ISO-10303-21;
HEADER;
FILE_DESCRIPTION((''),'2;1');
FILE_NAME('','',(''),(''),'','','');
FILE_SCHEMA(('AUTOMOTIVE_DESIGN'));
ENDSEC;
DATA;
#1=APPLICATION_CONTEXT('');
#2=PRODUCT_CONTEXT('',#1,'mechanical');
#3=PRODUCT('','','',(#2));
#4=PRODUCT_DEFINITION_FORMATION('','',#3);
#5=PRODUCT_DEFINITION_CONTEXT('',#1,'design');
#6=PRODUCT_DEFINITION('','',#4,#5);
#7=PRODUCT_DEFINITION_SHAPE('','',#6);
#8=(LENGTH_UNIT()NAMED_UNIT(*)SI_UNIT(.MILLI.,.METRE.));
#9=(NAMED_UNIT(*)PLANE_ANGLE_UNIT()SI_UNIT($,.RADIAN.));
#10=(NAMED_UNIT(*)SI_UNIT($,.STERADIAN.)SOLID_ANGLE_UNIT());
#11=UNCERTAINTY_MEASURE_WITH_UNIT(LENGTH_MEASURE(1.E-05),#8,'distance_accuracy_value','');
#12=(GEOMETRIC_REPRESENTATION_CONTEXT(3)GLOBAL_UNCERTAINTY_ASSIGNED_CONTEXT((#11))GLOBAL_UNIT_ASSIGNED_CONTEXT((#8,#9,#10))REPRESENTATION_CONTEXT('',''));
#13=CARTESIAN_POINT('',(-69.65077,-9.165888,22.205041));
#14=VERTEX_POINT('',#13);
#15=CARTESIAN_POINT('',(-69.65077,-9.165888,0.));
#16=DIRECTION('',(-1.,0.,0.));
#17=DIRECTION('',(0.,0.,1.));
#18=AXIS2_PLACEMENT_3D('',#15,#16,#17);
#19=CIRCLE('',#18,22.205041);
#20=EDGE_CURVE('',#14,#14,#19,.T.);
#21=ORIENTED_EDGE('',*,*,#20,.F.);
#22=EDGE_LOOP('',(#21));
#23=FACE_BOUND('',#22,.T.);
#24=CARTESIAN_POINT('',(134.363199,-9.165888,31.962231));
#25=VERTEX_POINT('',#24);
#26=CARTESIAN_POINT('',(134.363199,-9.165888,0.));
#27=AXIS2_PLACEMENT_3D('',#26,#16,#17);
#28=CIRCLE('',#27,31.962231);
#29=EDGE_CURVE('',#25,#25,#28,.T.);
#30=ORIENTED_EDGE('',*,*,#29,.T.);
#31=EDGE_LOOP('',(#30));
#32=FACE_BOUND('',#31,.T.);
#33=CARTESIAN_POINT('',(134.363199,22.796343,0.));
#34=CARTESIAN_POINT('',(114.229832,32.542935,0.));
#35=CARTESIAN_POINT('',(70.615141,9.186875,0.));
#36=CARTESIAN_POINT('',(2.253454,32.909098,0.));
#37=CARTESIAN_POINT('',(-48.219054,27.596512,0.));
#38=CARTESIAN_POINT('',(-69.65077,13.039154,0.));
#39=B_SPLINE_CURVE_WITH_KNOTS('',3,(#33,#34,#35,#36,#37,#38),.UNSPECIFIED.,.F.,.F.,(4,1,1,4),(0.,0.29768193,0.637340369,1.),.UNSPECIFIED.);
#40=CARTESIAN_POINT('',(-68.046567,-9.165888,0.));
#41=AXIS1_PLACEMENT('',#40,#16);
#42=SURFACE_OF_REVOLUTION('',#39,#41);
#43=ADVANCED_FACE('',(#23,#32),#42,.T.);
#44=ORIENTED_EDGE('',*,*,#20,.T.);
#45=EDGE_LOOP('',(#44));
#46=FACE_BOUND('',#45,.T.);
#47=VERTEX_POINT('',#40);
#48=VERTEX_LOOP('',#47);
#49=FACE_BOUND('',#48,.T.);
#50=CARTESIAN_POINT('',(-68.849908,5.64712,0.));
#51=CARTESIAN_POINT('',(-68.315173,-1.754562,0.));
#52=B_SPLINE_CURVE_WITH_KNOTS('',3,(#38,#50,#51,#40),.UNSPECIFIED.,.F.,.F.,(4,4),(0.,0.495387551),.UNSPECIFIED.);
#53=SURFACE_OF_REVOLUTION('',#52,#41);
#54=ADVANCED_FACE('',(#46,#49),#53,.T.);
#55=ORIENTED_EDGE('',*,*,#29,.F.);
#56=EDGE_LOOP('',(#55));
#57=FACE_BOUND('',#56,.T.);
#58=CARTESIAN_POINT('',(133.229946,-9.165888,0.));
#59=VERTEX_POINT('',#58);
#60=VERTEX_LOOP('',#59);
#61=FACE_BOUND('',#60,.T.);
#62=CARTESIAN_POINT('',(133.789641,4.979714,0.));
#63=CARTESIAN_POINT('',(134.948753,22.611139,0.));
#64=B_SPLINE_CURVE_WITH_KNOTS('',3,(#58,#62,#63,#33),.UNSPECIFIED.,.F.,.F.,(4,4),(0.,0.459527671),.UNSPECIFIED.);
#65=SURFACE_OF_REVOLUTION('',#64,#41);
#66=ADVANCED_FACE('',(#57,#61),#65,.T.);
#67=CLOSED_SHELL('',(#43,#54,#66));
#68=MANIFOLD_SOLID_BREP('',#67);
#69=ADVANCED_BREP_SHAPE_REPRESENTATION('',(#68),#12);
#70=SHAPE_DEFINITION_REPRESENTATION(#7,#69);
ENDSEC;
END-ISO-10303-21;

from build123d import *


with BuildPart() as part:
    # Croquis1 → Revolución2 (revolve)
    with BuildSketch(Plane.XY):
        with BuildLine():
            Line((-68.046566999, -9.165887628), (133.229945558, -9.165887628))
            add(Edge.make_bspline(
                [(134.3631987, 22.796343468), (134.948752986, 22.61113893), (133.789640715, 4.979713919), (133.229945558, -9.165887628)],
                knots=[0, 0, 0, 0, 0.459527671, 0.459527671, 0.459527671, 0.459527671], degree=3))
            add(Edge.make_bspline(
                [(-69.650770075, 13.039153657), (-48.219054364, 27.596512469), (2.253454013, 32.909097965), (70.615140869, 9.186875236), (114.229831827, 32.542935107), (134.3631987, 22.796343468)],
                knots=[0, 0, 0, 0, 0.362659631, 0.70231807, 1, 1, 1, 1], degree=3))
            add(Edge.make_bspline(
                [(-69.650770075, 13.039153657), (-68.849907518, 5.647119783), (-68.31517311, -1.754562006), (-68.046566999, -9.165887628)],
                knots=[0, 0, 0, 0, 0.495387551, 0.495387551, 0.495387551, 0.495387551], degree=3))
        make_face()
    revolve(axis=Axis((-68.046566999, -9.165887628, 0), (1, 0, 0)))


solid = part.part
